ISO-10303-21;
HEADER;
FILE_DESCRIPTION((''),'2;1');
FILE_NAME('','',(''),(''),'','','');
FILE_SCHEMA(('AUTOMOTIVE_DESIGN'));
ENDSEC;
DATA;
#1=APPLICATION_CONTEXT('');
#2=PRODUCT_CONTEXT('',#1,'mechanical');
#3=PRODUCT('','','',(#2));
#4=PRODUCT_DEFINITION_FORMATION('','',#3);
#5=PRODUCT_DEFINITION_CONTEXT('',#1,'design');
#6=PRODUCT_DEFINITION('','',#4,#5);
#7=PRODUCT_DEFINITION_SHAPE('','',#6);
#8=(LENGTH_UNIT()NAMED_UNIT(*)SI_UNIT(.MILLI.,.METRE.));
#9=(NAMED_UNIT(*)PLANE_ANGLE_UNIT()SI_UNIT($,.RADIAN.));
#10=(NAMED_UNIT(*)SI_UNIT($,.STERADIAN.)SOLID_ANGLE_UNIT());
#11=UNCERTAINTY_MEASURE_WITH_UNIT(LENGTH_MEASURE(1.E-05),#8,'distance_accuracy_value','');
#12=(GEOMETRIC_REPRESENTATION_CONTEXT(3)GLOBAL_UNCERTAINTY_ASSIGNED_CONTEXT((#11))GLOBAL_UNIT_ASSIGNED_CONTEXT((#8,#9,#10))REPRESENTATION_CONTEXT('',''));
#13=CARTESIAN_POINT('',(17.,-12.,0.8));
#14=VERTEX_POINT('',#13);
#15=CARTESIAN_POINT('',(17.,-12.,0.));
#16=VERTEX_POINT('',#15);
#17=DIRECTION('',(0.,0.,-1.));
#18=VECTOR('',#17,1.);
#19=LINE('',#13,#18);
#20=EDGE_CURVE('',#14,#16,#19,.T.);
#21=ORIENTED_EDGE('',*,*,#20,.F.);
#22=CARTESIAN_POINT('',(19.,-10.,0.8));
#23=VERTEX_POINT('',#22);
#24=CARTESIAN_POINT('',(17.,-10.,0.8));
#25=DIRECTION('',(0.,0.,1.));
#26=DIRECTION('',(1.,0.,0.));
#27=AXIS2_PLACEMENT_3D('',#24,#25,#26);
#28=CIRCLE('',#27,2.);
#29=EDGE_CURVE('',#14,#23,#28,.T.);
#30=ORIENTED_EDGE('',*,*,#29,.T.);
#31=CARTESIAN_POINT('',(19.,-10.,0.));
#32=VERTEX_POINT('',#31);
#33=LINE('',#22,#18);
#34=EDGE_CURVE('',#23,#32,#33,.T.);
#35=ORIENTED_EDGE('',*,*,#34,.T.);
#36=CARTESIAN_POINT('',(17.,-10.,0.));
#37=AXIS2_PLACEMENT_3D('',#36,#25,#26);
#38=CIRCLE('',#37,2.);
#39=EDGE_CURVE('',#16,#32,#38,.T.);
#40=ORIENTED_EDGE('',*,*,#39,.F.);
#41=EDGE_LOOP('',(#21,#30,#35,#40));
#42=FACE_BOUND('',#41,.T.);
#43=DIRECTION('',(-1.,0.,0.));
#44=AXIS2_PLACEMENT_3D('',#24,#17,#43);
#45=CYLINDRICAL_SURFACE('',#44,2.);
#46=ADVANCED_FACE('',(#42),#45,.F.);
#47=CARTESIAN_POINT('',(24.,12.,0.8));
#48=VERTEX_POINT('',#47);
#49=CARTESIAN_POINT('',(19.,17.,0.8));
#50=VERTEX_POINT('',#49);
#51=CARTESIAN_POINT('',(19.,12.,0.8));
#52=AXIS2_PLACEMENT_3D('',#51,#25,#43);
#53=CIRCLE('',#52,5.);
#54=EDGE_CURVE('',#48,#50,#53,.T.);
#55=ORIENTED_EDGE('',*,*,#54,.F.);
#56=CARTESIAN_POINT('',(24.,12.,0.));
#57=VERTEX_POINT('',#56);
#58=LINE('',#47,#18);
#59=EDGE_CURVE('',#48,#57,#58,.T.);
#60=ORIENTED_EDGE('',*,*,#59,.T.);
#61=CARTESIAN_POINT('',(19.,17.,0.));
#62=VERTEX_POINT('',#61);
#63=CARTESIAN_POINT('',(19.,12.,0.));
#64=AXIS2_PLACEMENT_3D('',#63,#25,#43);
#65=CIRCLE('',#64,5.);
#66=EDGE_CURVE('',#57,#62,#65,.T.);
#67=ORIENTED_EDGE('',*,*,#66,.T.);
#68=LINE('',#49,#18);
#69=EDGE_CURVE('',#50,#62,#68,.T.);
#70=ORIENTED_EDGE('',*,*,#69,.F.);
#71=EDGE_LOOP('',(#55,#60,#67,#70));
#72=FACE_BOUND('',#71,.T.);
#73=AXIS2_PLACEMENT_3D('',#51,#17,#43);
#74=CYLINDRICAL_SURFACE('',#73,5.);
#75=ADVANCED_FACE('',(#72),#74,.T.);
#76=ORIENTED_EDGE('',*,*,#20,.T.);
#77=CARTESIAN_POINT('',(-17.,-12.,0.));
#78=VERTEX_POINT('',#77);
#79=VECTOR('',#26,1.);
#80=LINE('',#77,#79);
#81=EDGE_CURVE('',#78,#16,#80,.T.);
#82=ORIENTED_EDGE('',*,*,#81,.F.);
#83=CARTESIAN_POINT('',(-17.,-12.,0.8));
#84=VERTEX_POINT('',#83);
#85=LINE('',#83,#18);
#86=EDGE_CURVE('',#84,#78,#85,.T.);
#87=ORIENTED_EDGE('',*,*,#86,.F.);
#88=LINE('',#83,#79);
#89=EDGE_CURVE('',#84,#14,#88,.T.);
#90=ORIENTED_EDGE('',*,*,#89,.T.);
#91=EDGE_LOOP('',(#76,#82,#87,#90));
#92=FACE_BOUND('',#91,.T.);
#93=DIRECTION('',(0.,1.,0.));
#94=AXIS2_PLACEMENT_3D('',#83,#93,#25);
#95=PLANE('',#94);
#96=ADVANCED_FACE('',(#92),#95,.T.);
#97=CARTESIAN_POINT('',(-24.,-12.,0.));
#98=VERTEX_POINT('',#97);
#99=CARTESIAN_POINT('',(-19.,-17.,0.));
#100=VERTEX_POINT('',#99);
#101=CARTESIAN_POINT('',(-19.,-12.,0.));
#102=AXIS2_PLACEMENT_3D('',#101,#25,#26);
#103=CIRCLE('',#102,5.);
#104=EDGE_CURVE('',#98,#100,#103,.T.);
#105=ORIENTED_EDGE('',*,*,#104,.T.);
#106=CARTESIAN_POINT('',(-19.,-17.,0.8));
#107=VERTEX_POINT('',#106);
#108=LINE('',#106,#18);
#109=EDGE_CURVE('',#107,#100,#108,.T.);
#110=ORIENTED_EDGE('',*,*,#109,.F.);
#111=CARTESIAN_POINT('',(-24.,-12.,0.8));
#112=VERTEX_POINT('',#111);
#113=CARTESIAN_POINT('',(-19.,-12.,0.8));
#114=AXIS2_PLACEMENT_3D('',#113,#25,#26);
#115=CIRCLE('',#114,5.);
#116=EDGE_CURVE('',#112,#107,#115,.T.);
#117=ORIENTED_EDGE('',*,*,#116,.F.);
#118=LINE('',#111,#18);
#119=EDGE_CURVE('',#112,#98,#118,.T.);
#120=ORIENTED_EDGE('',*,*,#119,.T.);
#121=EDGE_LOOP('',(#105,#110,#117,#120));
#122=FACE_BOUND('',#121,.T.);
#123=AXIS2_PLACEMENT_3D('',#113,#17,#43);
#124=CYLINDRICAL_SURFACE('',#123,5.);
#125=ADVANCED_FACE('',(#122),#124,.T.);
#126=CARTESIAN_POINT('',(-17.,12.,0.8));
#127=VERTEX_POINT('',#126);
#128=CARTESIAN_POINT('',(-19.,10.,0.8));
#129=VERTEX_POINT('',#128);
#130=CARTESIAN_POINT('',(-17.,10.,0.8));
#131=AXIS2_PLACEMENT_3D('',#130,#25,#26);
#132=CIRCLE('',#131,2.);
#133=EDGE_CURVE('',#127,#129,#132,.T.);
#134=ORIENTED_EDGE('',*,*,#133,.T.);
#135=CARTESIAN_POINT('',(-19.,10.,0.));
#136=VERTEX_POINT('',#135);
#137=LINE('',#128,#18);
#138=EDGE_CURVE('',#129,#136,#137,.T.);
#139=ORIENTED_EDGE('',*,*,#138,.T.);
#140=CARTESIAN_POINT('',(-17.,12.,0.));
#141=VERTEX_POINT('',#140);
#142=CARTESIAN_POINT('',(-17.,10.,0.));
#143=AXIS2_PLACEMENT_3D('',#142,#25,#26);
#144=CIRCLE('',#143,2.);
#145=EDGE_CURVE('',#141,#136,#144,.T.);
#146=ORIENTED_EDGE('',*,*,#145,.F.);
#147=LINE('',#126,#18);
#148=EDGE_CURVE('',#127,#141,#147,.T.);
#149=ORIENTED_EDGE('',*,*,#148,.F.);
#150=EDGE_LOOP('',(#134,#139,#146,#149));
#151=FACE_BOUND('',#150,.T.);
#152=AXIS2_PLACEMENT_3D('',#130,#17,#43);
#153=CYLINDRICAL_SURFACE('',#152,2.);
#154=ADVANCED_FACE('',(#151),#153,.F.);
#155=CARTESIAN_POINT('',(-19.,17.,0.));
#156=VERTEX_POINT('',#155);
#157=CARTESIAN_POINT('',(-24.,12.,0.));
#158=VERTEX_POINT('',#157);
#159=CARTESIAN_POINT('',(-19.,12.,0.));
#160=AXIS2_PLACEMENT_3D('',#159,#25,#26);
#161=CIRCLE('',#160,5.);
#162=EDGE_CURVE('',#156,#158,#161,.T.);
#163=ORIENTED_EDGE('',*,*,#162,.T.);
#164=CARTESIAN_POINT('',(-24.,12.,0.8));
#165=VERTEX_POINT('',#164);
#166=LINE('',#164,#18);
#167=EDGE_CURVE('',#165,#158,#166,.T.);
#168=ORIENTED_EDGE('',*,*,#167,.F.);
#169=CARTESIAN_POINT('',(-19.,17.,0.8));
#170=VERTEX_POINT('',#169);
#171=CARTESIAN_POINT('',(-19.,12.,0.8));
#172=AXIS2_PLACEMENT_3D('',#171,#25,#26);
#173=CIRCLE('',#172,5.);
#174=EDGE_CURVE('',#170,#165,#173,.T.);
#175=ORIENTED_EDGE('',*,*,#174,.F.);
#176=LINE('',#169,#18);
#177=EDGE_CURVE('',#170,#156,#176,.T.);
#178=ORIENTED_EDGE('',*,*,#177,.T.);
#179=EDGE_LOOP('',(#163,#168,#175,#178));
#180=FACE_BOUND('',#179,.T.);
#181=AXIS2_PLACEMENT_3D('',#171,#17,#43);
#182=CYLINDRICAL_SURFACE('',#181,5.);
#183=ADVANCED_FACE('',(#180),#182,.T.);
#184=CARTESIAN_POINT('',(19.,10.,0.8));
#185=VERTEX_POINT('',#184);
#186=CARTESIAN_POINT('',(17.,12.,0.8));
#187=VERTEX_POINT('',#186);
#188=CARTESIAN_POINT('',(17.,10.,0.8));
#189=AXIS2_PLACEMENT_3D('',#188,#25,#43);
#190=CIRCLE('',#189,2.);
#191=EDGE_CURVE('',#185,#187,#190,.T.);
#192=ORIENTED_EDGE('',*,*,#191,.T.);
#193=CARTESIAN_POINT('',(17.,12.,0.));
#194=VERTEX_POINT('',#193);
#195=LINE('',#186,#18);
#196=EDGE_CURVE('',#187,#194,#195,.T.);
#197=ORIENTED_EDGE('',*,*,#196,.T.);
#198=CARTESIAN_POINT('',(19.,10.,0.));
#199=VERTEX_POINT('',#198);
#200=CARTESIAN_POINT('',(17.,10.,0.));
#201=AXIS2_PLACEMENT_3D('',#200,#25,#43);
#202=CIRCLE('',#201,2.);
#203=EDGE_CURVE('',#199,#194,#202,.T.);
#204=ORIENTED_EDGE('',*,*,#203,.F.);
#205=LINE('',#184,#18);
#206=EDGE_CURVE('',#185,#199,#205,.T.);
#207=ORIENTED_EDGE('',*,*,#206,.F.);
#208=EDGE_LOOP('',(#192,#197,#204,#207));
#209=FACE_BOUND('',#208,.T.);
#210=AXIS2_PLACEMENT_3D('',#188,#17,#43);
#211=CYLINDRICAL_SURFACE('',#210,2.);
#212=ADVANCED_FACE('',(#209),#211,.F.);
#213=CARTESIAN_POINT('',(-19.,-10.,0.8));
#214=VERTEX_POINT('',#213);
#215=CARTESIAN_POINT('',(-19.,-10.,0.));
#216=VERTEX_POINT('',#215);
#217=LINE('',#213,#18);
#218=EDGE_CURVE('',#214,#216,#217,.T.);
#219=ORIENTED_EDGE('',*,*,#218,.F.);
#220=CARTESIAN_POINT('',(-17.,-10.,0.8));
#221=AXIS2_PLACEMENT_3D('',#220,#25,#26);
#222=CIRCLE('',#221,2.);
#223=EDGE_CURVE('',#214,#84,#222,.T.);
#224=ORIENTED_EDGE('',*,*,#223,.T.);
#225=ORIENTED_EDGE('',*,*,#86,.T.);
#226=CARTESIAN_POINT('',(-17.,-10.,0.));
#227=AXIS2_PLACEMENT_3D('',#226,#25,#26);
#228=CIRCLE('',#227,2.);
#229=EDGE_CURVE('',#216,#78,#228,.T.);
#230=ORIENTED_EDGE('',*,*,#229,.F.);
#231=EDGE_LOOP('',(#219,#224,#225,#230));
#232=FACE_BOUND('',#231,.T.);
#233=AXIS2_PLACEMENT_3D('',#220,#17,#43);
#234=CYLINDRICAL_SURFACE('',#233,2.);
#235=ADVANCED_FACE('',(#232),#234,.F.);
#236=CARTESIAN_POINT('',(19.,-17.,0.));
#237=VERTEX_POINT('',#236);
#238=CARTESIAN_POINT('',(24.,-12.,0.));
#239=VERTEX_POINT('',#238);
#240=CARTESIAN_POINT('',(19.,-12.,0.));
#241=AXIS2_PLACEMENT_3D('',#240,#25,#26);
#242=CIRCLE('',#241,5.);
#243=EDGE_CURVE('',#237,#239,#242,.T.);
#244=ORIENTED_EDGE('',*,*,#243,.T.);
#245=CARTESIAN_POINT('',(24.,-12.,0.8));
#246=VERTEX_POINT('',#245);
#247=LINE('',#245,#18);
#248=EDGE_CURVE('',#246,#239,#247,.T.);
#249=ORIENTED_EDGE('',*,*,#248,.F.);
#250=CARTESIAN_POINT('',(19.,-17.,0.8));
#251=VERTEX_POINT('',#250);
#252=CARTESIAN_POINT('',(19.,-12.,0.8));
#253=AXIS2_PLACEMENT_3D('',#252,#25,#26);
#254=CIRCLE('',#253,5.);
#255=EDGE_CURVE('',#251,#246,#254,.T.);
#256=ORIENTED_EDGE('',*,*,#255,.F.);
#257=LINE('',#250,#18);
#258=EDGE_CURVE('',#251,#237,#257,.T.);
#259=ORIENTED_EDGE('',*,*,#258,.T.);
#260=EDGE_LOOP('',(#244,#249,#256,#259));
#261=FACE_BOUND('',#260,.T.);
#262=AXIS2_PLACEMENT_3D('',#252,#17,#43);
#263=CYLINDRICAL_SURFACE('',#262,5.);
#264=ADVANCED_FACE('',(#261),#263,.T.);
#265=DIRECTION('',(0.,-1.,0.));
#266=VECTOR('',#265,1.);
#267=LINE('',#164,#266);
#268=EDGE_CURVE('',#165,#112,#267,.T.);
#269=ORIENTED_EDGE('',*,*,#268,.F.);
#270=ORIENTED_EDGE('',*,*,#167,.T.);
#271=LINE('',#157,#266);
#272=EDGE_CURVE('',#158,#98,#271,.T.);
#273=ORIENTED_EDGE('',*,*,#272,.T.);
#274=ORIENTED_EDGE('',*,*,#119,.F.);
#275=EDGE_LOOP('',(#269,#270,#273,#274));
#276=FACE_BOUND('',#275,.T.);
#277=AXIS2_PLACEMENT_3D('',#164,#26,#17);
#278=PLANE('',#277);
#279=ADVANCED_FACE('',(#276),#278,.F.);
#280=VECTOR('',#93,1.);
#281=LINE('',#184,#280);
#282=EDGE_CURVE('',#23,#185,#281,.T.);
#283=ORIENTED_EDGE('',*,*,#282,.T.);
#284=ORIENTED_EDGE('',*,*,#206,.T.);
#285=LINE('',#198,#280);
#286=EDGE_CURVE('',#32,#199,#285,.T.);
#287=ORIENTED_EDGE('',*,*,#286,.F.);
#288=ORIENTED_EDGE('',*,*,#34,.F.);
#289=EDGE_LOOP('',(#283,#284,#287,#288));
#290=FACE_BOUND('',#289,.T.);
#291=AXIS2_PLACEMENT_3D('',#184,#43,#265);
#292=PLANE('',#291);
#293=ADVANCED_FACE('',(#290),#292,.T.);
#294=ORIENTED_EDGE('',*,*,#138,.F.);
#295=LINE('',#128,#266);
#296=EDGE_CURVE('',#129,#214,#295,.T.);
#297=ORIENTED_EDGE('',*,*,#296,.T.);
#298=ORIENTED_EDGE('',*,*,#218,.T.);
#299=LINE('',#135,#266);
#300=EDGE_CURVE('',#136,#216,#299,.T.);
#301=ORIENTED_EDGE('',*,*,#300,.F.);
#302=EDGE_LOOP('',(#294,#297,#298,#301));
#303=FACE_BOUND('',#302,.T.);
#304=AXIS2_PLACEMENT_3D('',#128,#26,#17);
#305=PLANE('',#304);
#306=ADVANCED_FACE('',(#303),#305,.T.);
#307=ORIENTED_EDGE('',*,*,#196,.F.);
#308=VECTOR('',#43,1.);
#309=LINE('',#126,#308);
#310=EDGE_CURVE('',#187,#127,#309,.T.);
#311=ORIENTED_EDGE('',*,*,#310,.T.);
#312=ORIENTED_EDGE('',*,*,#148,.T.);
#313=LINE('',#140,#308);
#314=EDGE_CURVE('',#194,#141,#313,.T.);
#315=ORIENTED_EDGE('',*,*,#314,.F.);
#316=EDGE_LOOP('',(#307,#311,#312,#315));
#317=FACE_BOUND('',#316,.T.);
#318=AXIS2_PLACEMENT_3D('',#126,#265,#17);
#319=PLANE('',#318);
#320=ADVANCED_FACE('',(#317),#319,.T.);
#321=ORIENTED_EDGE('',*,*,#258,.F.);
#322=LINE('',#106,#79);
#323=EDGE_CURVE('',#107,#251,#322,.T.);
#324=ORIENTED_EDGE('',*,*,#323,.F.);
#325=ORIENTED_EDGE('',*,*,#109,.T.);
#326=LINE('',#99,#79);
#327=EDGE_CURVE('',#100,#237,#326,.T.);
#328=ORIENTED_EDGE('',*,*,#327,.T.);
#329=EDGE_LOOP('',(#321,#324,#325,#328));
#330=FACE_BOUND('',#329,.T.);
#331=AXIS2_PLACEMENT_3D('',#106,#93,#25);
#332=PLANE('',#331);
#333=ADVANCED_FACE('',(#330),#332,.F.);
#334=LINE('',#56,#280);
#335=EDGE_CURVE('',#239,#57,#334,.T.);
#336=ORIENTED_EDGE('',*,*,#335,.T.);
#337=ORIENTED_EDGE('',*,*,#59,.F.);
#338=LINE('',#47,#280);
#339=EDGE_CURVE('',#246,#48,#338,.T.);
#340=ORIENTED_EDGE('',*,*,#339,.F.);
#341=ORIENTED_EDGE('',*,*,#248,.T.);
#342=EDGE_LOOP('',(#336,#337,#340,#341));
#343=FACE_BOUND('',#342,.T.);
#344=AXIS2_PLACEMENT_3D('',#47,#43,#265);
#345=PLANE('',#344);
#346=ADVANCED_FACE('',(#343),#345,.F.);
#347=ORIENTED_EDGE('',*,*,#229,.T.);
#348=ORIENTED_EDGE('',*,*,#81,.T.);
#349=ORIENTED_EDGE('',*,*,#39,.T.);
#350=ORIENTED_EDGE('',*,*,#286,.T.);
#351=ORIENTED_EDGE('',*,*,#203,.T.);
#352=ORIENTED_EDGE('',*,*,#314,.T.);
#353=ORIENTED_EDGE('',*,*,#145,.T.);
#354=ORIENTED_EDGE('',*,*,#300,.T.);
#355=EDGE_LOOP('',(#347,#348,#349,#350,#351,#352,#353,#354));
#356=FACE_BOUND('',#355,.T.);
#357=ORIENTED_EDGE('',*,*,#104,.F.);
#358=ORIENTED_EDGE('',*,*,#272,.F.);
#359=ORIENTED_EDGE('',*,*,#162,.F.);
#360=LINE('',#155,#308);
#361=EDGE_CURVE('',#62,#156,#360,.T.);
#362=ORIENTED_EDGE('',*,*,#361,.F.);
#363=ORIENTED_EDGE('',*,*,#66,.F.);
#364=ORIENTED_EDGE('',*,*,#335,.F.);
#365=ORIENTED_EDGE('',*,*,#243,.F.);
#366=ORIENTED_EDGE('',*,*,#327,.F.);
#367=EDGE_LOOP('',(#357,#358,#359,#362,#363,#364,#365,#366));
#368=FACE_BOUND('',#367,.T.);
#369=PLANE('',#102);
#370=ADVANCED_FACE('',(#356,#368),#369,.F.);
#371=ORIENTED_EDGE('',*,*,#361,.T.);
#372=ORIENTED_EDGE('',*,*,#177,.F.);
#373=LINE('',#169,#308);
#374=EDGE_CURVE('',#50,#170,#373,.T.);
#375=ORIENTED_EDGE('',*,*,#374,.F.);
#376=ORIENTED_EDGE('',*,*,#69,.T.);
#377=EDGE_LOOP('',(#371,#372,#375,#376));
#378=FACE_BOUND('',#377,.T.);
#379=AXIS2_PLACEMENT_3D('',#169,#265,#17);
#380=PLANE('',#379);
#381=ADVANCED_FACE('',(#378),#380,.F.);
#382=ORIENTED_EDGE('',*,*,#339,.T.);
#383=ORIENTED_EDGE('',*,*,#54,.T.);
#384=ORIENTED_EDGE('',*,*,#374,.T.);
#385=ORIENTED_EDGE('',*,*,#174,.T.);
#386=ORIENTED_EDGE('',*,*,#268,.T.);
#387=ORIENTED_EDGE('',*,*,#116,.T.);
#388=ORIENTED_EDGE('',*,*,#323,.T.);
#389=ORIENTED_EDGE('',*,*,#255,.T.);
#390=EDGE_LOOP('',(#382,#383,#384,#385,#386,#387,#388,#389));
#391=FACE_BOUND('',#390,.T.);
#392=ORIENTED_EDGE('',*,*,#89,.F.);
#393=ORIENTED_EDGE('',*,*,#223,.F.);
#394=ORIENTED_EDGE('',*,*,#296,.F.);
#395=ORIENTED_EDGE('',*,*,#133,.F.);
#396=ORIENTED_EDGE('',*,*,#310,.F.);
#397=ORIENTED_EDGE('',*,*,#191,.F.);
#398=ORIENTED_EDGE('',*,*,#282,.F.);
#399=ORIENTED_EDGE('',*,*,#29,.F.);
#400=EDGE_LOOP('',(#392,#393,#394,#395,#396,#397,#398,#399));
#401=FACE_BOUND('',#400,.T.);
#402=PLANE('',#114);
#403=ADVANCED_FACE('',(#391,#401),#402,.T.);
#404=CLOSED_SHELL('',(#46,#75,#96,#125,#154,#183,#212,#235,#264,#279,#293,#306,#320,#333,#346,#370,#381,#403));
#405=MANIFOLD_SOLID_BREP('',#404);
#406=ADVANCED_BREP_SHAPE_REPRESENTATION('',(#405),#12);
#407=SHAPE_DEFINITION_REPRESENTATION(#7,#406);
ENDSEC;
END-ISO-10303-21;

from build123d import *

# Parameters (mm, degrees)
EXTRUDE_1_DEPTH = 0.8


with BuildPart() as part:
    # Эскиз1 → Бобышка-Вытянуть1 (new body)
    with BuildSketch(Plane.XY):
        with BuildLine():
            Line((-19, 17), (19, 17))
            ThreePointArc((19, 17), (22.535533906, 15.535533906), (24, 12))
            Line((24, 12), (24, -12))
            ThreePointArc((24, -12), (22.535533906, -15.535533906), (19, -17))
            Line((19, -17), (-19, -17))
            ThreePointArc((-19, -17), (-22.535533906, -15.535533906), (-24, -12))
            Line((-24, -12), (-24, 12))
            ThreePointArc((-24, 12), (-22.535533906, 15.535533906), (-19, 17))
        make_face()
        with BuildLine():
            Line((-17, 12), (17, 12))
            ThreePointArc((17, 12), (18.414213562, 11.414213562), (19, 10))
            Line((19, 10), (19, -10))
            ThreePointArc((19, -10), (18.414213562, -11.414213562), (17, -12))
            Line((17, -12), (-17, -12))
            ThreePointArc((-17, -12), (-18.414213562, -11.414213562), (-19, -10))
            Line((-19, -10), (-19, 10))
            ThreePointArc((-19, 10), (-18.414213562, 11.414213562), (-17, 12))
        make_face(mode=Mode.SUBTRACT)
    extrude(amount=EXTRUDE_1_DEPTH)


solid = part.part
